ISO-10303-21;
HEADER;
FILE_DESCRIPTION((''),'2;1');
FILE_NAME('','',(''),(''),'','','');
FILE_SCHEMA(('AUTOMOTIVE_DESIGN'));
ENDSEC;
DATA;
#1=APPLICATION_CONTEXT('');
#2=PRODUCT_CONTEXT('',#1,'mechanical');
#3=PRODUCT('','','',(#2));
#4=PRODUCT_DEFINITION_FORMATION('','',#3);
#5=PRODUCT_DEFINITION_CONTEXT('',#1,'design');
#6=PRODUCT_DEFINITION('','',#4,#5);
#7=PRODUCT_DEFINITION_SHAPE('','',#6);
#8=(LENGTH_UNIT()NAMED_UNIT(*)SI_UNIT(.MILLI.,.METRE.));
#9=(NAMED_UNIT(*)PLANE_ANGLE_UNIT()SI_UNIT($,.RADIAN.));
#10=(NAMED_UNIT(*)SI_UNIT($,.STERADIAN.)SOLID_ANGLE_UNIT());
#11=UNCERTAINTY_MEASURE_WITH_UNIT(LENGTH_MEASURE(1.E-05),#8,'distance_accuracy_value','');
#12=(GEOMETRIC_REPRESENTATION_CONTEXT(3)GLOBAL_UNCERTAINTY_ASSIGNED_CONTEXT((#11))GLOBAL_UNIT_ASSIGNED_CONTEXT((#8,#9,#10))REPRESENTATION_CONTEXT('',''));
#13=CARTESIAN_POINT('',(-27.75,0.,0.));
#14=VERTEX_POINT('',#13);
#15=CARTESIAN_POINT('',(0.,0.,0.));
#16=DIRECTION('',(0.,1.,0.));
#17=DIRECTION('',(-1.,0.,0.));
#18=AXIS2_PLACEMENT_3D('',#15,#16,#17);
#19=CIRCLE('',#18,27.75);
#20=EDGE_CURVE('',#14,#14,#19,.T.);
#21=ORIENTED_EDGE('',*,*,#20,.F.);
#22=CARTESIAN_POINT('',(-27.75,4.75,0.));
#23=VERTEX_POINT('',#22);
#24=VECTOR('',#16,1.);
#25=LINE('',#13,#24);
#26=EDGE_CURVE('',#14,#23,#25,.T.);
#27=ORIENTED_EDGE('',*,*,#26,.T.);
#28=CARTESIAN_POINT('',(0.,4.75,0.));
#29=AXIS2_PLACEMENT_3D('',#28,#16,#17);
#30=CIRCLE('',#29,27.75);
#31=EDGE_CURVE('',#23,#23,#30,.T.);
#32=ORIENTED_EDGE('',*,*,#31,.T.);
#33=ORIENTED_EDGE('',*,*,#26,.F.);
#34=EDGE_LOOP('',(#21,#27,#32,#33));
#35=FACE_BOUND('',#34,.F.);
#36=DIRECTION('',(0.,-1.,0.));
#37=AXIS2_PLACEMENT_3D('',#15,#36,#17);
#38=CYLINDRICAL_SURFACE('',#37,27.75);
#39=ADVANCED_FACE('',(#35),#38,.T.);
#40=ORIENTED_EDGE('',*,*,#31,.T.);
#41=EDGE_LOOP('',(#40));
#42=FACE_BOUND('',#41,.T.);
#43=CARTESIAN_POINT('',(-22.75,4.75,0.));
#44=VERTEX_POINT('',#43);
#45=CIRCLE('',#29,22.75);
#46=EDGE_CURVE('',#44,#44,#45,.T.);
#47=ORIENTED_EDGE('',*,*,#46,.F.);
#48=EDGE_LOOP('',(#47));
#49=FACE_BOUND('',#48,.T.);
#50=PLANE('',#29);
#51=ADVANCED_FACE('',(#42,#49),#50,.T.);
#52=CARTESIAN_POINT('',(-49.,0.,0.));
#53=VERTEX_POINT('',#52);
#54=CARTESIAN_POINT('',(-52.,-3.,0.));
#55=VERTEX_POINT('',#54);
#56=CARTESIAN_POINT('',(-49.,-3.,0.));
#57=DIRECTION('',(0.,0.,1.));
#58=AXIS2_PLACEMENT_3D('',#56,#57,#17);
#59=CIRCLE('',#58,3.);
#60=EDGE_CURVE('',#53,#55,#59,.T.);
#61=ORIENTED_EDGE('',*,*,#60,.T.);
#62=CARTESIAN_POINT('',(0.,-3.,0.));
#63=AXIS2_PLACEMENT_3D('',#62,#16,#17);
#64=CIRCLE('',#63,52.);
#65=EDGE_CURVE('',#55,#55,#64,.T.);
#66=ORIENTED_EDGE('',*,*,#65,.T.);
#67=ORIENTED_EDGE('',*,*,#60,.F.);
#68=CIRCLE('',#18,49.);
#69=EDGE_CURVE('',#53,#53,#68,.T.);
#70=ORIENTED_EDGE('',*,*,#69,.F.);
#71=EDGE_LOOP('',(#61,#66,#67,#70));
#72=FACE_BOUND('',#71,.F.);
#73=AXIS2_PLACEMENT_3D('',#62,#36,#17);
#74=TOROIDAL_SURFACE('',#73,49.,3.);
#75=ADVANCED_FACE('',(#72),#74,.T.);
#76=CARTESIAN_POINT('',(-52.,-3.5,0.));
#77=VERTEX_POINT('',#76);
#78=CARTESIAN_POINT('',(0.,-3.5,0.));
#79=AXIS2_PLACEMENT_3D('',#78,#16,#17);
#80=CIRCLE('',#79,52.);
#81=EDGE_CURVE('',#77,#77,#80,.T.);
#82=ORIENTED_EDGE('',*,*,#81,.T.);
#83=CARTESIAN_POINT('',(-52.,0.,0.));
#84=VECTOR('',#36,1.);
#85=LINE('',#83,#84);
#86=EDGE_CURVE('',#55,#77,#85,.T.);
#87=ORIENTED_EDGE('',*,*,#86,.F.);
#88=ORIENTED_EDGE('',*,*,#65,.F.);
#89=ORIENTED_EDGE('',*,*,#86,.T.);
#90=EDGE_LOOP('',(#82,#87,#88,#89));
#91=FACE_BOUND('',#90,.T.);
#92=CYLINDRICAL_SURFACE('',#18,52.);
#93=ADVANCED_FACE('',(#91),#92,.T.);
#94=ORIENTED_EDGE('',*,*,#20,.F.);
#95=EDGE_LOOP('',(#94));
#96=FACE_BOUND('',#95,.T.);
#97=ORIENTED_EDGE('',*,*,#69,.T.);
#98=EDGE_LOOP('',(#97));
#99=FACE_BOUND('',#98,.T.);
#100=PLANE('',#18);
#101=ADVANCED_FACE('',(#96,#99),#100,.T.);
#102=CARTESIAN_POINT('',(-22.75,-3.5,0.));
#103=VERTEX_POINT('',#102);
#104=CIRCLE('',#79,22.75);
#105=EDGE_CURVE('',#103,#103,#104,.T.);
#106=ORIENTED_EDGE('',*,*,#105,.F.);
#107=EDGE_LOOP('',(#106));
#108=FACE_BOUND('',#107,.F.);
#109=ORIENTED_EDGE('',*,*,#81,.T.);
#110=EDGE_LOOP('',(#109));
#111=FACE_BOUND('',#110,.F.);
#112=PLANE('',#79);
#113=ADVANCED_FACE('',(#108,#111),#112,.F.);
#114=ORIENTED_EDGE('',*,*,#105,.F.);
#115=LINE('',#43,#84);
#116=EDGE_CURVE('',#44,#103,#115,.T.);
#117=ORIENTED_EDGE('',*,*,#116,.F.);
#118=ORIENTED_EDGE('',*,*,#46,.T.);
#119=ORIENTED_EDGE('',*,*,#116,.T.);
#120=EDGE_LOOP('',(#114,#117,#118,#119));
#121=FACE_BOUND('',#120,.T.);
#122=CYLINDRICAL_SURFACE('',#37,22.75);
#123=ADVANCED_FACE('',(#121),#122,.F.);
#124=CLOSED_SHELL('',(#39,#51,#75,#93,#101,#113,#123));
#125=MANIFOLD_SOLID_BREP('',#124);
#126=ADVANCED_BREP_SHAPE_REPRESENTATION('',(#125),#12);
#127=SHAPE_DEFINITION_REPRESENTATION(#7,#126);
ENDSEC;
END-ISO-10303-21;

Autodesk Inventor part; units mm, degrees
ref_plane "YZ Plane" through (0, 0, 0) normal (1, 0, 0) x (0, 1, 0)
ref_plane "XZ Plane" through (0, 0, 0) normal (0, 1, 0) x (-1, 0, 0)
ref_plane "XY Plane" through (0, 0, 0) normal (0, 0, 1) x (1, 0, 0)
sketch "Sketch1" plane through (0, 0, 0) normal (0, 1, 0) x (-1, 0, 0)
  circle A0 centre (0, 0) radius 22.75
  circle A1 centre (0, 0) radius 52
  circle A2 centre (0, 0) radius 27.75
  dimension "d0" = 45.5
  dimension "d1" = 104
  dimension "d2" = 55.5
extrude "Extrusion1" add sketch "Sketch1" along normal blind 4.75 contours A2
extrude "Extrusion2" add sketch "Sketch1" against normal blind 3.5 contours A1 | A2
fillet "Fillet1" radius 3 1 edges at (52, 0, 0)
properties part number "motor_chain_guide_center"
